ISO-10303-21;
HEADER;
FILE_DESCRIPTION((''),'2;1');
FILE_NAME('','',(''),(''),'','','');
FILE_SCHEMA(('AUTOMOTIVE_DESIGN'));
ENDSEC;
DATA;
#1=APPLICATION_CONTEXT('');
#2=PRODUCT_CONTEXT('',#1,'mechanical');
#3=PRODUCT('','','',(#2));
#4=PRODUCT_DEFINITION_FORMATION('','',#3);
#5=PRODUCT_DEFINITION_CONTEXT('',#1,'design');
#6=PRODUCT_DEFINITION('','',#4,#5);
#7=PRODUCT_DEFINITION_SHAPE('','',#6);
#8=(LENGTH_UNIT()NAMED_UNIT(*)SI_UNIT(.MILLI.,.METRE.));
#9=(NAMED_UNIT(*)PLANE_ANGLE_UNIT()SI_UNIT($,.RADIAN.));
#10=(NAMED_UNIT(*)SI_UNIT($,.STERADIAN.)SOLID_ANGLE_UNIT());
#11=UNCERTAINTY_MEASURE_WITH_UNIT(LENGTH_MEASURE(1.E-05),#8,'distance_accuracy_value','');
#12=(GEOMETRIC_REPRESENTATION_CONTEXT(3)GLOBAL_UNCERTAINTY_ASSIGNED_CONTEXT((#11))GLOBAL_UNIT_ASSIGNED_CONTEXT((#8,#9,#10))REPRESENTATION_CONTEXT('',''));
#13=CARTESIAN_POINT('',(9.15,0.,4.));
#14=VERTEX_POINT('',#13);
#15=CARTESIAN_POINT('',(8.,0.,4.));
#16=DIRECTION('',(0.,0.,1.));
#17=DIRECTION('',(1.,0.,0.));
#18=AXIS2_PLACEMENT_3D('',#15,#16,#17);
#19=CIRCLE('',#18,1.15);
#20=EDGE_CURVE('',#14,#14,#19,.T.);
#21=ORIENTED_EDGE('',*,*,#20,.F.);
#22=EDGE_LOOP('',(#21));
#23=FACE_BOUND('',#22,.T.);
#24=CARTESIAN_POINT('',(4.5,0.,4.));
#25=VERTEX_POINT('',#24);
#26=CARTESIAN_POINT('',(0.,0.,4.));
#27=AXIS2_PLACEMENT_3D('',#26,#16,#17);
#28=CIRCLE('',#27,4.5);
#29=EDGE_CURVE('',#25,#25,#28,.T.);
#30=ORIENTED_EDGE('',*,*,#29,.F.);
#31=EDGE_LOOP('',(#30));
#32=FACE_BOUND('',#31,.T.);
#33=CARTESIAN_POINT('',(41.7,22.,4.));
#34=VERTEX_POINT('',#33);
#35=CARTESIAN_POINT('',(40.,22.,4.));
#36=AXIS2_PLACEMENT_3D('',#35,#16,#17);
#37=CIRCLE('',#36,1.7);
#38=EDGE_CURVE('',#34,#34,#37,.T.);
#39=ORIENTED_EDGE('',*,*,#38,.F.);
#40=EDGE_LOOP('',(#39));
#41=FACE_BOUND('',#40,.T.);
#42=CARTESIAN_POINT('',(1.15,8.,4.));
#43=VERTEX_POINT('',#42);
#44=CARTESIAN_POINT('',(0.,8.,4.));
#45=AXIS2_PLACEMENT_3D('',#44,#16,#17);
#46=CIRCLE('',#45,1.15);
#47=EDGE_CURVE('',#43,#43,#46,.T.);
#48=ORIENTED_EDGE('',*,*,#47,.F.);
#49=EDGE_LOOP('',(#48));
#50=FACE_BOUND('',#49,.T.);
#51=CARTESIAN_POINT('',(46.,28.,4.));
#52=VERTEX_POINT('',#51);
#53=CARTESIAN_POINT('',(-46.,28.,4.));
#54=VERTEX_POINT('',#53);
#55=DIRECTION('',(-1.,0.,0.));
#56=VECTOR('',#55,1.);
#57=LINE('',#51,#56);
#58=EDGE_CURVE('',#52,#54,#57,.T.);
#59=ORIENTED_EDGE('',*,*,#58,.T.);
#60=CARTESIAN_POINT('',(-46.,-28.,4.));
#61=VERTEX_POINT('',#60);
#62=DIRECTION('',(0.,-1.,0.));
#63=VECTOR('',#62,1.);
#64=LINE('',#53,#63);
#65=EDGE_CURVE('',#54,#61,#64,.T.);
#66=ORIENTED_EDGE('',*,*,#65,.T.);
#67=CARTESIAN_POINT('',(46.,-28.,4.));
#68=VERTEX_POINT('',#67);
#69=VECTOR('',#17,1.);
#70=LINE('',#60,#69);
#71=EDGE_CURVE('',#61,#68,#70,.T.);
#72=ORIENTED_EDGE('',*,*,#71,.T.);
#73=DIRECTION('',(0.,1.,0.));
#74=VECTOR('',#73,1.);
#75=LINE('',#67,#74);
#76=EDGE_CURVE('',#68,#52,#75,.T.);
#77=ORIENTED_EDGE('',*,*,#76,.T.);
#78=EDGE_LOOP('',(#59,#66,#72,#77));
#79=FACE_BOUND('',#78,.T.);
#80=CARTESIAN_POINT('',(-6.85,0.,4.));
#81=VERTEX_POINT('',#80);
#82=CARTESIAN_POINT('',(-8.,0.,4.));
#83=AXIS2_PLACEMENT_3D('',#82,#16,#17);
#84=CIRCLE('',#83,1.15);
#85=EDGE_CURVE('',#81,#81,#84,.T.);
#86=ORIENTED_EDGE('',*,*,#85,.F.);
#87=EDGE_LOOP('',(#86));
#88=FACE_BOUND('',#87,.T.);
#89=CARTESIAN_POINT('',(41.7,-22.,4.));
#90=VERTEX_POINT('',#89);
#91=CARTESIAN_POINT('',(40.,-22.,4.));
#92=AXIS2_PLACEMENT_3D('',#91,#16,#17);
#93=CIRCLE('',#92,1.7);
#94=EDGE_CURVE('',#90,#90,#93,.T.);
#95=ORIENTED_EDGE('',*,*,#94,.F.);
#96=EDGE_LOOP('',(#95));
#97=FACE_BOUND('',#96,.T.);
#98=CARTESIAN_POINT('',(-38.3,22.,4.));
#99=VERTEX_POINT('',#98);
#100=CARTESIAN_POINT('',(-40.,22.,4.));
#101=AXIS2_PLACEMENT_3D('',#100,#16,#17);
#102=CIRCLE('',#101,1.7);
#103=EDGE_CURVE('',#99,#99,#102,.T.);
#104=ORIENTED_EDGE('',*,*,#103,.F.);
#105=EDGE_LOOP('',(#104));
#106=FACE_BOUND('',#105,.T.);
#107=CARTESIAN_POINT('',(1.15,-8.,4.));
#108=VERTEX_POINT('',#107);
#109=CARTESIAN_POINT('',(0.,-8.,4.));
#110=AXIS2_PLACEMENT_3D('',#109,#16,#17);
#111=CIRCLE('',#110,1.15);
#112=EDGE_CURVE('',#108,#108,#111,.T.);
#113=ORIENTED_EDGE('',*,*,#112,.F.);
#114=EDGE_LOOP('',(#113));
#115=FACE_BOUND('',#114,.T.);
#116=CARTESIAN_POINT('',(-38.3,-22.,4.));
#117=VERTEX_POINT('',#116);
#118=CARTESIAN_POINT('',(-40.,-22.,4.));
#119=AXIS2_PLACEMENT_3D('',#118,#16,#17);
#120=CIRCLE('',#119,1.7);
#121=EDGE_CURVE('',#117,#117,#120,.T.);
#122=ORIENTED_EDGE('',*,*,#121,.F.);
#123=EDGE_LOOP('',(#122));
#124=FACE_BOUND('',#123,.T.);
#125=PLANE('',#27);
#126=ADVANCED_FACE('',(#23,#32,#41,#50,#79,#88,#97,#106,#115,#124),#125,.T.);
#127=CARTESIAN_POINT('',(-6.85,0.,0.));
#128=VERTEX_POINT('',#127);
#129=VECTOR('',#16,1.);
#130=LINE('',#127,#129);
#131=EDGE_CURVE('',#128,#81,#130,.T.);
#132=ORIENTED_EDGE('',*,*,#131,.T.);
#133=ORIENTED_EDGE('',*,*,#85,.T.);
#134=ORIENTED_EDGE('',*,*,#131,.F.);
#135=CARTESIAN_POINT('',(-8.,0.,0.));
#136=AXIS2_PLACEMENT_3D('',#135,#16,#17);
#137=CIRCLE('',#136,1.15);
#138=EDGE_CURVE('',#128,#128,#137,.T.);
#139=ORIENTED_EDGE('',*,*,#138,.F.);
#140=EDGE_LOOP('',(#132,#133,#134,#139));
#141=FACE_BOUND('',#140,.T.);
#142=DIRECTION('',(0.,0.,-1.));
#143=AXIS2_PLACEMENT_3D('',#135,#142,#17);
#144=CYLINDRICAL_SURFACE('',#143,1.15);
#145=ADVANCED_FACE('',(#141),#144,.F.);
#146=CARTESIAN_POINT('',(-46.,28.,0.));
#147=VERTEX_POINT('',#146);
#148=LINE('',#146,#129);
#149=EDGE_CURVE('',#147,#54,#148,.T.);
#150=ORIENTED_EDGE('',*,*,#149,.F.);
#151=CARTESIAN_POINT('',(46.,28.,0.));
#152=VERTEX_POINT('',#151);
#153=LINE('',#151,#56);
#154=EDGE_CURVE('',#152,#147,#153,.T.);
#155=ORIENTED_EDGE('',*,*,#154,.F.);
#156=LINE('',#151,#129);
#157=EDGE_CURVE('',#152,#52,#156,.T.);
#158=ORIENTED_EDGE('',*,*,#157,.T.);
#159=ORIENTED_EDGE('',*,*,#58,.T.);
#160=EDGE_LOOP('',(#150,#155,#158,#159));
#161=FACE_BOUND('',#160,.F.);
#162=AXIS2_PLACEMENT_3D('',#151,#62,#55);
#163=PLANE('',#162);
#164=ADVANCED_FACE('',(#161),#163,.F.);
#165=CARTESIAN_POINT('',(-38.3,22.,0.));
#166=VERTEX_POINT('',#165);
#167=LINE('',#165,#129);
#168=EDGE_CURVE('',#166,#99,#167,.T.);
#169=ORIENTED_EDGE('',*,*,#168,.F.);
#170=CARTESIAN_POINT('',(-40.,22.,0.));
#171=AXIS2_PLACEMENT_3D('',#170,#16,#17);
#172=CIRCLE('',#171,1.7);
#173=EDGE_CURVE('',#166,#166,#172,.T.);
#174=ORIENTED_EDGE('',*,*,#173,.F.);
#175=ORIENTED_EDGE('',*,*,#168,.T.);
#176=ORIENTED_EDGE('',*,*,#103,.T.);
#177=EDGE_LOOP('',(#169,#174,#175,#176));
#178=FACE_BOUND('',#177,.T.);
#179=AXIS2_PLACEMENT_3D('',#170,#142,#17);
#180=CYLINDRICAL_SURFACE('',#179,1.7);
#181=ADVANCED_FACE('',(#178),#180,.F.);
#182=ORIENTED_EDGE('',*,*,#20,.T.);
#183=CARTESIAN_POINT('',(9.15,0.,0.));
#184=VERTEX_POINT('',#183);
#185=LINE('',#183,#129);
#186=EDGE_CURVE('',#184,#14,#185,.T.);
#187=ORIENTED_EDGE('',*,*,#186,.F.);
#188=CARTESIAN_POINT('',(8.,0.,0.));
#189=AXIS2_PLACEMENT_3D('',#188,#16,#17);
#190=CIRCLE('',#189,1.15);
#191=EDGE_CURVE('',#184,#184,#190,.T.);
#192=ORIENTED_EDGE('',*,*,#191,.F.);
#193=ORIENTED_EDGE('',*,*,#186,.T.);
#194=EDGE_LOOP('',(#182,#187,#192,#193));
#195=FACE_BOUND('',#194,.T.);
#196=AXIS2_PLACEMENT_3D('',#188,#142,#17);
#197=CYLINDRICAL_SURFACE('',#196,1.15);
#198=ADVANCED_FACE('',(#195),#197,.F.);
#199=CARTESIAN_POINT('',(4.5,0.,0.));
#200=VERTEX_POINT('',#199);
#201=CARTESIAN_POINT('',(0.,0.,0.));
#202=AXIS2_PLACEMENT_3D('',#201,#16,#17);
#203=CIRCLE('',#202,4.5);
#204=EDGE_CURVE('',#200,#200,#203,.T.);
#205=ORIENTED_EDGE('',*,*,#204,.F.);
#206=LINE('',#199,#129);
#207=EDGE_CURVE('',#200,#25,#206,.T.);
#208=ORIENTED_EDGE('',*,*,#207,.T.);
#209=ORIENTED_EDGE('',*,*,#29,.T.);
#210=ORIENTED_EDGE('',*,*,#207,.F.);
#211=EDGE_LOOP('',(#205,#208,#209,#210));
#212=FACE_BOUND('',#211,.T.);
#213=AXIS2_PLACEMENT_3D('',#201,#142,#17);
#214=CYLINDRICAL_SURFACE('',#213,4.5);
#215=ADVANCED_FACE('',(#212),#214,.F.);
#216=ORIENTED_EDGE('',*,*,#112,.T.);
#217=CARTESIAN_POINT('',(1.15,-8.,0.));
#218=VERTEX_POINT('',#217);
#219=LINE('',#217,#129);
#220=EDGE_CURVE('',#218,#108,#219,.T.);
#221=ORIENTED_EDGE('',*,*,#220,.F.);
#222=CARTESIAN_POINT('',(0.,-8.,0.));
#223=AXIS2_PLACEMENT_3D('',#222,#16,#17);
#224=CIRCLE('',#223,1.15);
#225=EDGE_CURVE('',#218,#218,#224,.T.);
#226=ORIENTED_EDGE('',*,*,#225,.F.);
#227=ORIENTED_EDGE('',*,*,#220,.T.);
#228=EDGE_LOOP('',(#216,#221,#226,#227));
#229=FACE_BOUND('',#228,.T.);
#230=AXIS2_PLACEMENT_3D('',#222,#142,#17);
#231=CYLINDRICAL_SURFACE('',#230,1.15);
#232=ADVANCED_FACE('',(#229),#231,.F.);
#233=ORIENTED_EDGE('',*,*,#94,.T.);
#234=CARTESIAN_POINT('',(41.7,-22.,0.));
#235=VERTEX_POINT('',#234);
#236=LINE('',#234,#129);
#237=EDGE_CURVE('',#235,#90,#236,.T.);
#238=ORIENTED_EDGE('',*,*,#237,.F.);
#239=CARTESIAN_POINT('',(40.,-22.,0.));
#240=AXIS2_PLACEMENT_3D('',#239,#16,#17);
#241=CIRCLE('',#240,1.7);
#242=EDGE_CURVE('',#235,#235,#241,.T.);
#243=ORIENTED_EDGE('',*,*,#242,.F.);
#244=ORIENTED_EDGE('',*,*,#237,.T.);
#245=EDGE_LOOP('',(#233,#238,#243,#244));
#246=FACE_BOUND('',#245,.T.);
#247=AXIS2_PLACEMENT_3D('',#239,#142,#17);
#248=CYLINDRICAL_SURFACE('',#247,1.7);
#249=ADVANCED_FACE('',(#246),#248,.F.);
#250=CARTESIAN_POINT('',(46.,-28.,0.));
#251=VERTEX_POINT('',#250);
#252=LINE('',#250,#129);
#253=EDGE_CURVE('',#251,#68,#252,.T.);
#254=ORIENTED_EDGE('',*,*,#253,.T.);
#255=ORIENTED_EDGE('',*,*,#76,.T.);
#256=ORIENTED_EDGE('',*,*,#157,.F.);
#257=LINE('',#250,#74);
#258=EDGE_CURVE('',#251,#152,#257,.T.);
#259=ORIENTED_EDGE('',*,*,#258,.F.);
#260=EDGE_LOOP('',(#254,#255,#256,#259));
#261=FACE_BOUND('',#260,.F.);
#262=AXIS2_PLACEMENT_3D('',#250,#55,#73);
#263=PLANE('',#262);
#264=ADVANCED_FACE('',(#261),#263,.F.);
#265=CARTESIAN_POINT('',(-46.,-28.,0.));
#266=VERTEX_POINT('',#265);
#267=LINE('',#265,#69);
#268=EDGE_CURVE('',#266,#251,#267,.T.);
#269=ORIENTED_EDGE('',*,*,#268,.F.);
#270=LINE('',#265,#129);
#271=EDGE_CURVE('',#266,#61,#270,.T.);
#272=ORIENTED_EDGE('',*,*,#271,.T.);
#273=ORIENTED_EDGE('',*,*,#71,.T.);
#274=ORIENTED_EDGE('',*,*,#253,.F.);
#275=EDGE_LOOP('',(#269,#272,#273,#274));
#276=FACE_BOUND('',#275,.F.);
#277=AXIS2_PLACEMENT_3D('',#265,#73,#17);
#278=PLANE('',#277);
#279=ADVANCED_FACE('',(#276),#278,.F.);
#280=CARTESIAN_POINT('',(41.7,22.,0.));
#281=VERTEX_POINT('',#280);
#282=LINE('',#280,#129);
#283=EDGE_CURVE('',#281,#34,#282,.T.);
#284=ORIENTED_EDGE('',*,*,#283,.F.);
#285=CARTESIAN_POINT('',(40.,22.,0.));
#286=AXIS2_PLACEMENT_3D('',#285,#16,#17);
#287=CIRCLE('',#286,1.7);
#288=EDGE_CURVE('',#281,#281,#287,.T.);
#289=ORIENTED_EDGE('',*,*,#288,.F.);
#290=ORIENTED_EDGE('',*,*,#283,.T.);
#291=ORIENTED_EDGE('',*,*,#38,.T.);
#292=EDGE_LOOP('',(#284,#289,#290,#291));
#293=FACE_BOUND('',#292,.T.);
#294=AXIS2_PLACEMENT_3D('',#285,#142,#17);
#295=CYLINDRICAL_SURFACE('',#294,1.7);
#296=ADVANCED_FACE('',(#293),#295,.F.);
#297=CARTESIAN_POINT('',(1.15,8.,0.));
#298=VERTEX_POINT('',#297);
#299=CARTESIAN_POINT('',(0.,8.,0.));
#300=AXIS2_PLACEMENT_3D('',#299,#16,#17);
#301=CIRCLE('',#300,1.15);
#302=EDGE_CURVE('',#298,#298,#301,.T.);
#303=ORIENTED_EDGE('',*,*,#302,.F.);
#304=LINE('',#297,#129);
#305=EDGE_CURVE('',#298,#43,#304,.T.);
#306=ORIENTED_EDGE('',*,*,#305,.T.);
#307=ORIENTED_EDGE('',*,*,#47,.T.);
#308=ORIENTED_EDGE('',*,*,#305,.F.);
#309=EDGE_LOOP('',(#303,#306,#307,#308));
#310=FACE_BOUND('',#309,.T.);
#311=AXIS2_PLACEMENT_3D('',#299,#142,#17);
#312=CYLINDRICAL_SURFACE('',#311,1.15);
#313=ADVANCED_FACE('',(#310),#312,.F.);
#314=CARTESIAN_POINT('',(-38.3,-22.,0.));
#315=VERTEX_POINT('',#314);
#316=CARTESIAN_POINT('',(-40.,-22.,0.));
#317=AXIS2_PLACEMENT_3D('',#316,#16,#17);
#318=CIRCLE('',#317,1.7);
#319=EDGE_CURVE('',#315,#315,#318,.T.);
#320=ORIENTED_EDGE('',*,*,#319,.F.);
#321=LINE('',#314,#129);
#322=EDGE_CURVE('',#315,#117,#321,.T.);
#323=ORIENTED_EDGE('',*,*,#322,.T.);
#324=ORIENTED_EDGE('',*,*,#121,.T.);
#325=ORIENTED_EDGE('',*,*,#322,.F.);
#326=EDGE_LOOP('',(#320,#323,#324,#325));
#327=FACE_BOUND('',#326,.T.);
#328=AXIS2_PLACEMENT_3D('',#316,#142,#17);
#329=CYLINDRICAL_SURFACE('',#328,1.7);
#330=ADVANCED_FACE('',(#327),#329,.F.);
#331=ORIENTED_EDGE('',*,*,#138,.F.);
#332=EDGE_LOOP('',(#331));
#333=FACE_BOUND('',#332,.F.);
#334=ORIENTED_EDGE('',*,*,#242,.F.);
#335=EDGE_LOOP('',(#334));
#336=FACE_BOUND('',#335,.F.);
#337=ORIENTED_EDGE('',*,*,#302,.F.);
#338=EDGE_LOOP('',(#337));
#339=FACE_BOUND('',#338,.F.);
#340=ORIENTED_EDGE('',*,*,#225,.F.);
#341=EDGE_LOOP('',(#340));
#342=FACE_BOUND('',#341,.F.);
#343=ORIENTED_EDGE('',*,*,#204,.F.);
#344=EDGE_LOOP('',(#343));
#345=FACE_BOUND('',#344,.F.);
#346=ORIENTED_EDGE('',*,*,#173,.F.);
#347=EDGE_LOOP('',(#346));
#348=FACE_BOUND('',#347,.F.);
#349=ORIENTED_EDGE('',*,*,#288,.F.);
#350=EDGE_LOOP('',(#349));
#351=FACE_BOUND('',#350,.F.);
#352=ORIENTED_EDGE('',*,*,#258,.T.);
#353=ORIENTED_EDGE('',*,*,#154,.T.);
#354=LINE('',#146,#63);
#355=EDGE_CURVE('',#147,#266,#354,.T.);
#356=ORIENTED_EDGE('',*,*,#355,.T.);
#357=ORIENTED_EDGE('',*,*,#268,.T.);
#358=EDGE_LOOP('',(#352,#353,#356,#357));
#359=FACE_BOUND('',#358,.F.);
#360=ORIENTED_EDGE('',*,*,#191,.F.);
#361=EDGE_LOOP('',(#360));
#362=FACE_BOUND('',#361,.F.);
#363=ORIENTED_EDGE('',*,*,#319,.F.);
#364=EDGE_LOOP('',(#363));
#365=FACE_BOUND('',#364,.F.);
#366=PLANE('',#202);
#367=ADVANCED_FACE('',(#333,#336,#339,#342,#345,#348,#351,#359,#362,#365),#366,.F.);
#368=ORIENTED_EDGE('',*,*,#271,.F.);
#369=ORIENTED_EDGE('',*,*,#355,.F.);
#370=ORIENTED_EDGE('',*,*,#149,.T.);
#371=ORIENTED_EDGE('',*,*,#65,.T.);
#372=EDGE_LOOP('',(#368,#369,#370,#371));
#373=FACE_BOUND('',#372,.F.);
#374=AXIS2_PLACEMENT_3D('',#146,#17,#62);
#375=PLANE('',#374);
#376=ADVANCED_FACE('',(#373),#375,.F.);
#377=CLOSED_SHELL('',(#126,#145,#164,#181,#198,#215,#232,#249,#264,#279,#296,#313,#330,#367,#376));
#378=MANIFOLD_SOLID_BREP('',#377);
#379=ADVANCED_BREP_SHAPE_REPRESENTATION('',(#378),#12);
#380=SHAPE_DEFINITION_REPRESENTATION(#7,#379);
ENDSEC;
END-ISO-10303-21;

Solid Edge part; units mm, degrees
sketch "Sketch1" plane through (0, 0, 0) normal (0, 0, 1) x (1, 0, 0)
  line L0 (-46, -28) -> (46, -28)
  line L1 (46, -28) -> (46, 28)
  line L2 (46, 28) -> (-46, 28)
  line L3 (-46, 28) -> (-46, -28)
  circle A0 centre (0, 0) radius 4.5
  circle A1 centre (8, 0) radius 1.15
  circle A2 centre (0, 8) radius 1.15
  circle A3 centre (-8, 0) radius 1.15
  circle A4 centre (0, -8) radius 1.15
  circle A5 centre (-40, -22) radius 1.7
  circle A6 centre (-40, 22) radius 1.7
  circle A7 centre (40, -22) radius 1.7
  circle A8 centre (40, 22) radius 1.7
extrude "Protrusion1" add sketch "Sketch1" along normal blind 4
